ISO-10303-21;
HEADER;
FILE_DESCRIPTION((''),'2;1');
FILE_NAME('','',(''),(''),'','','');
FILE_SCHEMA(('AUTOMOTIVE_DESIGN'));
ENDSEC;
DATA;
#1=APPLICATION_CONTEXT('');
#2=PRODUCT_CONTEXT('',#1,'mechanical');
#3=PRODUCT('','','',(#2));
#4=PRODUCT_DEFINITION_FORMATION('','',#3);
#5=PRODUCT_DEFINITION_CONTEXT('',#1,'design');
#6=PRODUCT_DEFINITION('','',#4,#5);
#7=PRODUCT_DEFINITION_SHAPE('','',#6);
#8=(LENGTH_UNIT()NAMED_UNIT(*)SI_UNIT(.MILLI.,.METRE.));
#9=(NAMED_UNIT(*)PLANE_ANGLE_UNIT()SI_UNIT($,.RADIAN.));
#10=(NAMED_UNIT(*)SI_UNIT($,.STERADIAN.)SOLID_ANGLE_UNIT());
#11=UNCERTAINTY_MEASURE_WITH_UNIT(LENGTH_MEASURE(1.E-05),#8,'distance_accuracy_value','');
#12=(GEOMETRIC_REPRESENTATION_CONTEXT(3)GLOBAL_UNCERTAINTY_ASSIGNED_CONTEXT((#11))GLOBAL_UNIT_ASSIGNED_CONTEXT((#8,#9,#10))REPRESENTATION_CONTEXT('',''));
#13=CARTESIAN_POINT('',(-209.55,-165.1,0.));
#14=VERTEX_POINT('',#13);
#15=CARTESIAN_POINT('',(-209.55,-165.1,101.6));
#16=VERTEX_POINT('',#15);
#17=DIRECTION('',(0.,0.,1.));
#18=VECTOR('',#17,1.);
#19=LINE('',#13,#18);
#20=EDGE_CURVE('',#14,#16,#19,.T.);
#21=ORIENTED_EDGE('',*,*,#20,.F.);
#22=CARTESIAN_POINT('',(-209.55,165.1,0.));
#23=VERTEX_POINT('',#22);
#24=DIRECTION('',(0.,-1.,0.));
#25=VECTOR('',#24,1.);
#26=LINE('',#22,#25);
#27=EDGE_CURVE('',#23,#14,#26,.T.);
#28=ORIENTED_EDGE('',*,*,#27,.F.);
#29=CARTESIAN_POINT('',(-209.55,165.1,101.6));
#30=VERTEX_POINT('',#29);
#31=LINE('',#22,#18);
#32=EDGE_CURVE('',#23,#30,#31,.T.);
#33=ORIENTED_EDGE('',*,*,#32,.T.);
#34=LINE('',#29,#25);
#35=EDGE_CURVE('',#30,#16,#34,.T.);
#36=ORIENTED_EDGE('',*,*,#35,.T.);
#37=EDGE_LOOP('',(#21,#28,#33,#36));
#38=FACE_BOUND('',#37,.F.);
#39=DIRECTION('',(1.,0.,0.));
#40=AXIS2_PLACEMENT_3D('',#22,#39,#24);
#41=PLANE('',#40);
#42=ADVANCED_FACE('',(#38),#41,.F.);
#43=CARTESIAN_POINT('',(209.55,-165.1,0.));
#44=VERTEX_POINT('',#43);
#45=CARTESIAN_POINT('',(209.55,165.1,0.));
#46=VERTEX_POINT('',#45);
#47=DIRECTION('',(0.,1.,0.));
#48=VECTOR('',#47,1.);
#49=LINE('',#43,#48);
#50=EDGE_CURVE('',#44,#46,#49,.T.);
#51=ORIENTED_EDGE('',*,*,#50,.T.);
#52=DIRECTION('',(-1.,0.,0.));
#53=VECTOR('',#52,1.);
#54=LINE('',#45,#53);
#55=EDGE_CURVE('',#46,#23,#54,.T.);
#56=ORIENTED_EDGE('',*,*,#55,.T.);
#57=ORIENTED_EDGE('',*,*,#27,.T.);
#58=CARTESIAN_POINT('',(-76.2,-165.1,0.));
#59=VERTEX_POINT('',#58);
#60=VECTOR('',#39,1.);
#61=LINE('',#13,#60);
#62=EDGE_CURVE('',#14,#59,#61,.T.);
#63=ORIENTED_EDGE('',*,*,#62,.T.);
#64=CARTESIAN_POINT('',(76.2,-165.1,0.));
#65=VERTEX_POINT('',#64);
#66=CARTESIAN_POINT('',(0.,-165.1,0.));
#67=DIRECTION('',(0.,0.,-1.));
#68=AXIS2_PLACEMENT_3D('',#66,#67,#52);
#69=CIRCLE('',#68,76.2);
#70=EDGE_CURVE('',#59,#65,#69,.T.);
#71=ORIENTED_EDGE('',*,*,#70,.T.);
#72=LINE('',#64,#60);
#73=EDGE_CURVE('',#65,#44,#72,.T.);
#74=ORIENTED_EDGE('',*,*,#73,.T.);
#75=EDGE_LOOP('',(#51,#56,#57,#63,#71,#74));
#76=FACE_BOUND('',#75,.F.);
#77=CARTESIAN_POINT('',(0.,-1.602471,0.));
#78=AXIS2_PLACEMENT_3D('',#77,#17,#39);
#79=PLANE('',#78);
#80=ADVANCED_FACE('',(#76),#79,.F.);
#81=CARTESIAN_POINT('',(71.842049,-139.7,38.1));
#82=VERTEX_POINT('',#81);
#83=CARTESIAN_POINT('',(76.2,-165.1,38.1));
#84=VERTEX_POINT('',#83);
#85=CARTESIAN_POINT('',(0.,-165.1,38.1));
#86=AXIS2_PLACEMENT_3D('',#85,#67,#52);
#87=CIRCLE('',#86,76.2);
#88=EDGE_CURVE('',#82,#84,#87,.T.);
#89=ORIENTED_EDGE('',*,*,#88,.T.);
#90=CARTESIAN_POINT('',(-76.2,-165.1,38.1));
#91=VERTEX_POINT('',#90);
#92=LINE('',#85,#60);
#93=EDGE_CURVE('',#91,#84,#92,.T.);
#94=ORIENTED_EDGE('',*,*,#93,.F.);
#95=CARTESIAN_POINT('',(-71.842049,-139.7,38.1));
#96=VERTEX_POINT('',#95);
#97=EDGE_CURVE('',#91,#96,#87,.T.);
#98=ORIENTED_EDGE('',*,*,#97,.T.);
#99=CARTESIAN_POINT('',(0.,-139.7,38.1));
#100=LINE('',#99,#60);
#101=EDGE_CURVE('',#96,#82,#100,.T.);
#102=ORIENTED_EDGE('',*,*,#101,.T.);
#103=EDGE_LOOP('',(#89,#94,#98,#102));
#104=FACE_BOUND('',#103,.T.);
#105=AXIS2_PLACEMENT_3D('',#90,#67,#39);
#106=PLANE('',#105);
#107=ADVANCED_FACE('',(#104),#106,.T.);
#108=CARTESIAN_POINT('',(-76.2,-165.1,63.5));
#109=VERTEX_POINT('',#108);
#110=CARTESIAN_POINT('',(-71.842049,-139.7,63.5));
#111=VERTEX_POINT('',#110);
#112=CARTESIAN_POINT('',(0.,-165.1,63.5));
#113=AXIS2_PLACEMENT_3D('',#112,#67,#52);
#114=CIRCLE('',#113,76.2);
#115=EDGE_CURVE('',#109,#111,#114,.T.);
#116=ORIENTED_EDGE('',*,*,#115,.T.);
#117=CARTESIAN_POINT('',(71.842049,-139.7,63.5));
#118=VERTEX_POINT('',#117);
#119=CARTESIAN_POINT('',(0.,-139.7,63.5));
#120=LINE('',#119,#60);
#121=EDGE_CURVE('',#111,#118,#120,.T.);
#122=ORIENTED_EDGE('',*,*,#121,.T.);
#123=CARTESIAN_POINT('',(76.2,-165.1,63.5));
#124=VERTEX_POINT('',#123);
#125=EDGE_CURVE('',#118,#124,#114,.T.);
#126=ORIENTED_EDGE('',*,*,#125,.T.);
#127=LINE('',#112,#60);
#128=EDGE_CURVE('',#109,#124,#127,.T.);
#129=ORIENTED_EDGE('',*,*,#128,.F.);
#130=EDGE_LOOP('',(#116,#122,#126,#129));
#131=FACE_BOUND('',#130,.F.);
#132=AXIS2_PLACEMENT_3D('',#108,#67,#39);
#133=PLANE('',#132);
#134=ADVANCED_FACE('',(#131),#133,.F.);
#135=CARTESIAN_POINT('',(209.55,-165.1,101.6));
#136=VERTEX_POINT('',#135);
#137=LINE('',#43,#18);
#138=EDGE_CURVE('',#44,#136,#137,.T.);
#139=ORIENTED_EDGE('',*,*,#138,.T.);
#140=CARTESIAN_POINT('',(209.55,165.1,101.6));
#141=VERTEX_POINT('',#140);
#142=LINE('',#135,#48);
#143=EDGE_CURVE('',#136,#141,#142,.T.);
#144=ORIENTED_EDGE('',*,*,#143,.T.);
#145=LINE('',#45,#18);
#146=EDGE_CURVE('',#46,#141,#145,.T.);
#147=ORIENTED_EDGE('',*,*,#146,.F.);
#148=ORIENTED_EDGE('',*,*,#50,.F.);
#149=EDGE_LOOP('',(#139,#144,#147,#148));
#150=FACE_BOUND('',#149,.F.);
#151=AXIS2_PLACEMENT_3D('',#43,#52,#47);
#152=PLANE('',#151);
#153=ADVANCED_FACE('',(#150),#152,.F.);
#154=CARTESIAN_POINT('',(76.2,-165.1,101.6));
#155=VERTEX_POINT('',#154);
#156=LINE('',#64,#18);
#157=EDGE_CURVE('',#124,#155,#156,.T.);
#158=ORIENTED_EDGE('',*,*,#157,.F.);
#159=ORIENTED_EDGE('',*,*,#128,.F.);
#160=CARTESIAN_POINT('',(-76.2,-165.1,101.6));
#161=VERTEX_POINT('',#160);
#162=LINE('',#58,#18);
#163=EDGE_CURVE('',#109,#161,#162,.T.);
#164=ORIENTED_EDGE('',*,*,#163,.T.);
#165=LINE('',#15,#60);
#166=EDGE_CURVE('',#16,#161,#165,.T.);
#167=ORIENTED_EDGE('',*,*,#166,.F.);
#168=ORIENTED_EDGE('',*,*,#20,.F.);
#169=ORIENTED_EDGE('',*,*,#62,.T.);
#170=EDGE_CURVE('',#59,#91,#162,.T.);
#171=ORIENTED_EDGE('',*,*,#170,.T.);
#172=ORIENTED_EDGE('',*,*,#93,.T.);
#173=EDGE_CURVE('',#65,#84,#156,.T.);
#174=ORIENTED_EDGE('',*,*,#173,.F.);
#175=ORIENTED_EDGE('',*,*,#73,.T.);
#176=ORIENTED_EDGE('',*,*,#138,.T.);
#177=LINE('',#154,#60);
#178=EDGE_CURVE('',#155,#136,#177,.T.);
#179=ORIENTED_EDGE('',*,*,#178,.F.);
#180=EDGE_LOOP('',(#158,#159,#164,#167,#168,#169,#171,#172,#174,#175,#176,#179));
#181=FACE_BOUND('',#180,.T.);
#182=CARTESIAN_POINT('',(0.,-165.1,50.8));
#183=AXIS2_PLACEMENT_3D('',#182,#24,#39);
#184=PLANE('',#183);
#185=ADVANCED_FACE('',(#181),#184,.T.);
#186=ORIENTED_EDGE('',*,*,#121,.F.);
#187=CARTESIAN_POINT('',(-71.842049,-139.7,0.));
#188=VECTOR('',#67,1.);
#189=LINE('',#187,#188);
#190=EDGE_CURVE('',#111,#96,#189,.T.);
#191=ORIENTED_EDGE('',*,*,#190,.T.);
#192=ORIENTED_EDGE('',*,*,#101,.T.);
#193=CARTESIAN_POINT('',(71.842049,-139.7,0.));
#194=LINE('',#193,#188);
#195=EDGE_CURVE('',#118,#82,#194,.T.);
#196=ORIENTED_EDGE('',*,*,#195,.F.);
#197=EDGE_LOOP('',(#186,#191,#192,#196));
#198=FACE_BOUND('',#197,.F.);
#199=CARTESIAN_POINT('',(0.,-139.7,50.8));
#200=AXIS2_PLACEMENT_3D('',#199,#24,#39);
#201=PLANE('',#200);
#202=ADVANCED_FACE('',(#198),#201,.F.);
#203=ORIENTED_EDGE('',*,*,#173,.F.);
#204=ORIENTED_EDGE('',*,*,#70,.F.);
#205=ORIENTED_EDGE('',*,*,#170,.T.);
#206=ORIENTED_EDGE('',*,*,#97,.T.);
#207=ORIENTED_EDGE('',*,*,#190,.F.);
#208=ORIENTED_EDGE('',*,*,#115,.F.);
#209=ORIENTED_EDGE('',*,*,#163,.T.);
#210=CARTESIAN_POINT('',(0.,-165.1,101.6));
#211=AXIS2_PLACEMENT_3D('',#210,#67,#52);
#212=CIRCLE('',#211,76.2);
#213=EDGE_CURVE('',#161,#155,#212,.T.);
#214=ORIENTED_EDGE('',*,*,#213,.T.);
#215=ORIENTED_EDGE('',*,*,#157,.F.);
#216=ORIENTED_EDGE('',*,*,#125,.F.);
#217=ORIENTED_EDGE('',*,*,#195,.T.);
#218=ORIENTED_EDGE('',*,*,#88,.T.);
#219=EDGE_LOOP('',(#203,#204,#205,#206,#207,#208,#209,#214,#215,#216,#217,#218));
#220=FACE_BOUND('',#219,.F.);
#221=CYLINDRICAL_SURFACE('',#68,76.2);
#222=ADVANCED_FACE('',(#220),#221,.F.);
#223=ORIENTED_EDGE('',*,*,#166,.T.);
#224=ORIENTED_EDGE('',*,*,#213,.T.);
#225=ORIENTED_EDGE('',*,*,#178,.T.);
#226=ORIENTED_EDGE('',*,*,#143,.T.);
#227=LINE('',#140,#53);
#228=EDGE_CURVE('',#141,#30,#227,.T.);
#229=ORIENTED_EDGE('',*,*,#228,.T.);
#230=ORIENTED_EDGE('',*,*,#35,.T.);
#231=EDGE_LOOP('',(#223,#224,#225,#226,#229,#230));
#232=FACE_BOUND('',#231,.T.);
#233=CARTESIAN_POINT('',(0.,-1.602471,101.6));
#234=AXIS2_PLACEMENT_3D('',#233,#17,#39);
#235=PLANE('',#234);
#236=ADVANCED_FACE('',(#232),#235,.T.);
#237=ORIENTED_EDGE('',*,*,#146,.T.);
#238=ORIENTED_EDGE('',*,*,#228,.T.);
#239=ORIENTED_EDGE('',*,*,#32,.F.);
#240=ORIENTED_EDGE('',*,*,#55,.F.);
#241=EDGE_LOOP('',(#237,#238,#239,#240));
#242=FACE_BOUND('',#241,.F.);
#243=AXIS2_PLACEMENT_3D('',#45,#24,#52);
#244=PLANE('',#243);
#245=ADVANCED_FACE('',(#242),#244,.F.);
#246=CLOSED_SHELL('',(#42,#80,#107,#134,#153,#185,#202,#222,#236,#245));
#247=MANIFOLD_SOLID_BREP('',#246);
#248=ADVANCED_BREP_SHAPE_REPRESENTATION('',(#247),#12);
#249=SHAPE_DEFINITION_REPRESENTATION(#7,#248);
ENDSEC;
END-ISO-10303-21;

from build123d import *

# Parameters (mm, degrees)
F1_DEPTH = 101.6
F2_W     = 152.4
F2_H     = 25.4
F3_DEPTH = 25.4


with BuildPart() as f1:
    # F0 (on Top) → F1 (new body)
    with BuildSketch(Plane.XY):
        with BuildLine():
            Line((209.55, 165.1), (-209.55, 165.1))
            Line((-209.55, 165.1), (-209.55, -165.1))
            Line((-209.55, -165.1), (-76.2, -165.1))
            ThreePointArc((-76.2, -165.1), (0, -88.9), (76.2, -165.1))
            Line((76.2, -165.1), (209.55, -165.1))
            Line((209.55, -165.1), (209.55, 165.1))
        make_face()
    extrude(amount=F1_DEPTH)

    # F2 (on face) → F3 (join)
    with BuildSketch(Plane.XZ.offset(165.1)):
        with Locations((0, 50.8)):
            Rectangle(F2_W, F2_H)
    extrude(amount=-F3_DEPTH)


solid = f1.part
